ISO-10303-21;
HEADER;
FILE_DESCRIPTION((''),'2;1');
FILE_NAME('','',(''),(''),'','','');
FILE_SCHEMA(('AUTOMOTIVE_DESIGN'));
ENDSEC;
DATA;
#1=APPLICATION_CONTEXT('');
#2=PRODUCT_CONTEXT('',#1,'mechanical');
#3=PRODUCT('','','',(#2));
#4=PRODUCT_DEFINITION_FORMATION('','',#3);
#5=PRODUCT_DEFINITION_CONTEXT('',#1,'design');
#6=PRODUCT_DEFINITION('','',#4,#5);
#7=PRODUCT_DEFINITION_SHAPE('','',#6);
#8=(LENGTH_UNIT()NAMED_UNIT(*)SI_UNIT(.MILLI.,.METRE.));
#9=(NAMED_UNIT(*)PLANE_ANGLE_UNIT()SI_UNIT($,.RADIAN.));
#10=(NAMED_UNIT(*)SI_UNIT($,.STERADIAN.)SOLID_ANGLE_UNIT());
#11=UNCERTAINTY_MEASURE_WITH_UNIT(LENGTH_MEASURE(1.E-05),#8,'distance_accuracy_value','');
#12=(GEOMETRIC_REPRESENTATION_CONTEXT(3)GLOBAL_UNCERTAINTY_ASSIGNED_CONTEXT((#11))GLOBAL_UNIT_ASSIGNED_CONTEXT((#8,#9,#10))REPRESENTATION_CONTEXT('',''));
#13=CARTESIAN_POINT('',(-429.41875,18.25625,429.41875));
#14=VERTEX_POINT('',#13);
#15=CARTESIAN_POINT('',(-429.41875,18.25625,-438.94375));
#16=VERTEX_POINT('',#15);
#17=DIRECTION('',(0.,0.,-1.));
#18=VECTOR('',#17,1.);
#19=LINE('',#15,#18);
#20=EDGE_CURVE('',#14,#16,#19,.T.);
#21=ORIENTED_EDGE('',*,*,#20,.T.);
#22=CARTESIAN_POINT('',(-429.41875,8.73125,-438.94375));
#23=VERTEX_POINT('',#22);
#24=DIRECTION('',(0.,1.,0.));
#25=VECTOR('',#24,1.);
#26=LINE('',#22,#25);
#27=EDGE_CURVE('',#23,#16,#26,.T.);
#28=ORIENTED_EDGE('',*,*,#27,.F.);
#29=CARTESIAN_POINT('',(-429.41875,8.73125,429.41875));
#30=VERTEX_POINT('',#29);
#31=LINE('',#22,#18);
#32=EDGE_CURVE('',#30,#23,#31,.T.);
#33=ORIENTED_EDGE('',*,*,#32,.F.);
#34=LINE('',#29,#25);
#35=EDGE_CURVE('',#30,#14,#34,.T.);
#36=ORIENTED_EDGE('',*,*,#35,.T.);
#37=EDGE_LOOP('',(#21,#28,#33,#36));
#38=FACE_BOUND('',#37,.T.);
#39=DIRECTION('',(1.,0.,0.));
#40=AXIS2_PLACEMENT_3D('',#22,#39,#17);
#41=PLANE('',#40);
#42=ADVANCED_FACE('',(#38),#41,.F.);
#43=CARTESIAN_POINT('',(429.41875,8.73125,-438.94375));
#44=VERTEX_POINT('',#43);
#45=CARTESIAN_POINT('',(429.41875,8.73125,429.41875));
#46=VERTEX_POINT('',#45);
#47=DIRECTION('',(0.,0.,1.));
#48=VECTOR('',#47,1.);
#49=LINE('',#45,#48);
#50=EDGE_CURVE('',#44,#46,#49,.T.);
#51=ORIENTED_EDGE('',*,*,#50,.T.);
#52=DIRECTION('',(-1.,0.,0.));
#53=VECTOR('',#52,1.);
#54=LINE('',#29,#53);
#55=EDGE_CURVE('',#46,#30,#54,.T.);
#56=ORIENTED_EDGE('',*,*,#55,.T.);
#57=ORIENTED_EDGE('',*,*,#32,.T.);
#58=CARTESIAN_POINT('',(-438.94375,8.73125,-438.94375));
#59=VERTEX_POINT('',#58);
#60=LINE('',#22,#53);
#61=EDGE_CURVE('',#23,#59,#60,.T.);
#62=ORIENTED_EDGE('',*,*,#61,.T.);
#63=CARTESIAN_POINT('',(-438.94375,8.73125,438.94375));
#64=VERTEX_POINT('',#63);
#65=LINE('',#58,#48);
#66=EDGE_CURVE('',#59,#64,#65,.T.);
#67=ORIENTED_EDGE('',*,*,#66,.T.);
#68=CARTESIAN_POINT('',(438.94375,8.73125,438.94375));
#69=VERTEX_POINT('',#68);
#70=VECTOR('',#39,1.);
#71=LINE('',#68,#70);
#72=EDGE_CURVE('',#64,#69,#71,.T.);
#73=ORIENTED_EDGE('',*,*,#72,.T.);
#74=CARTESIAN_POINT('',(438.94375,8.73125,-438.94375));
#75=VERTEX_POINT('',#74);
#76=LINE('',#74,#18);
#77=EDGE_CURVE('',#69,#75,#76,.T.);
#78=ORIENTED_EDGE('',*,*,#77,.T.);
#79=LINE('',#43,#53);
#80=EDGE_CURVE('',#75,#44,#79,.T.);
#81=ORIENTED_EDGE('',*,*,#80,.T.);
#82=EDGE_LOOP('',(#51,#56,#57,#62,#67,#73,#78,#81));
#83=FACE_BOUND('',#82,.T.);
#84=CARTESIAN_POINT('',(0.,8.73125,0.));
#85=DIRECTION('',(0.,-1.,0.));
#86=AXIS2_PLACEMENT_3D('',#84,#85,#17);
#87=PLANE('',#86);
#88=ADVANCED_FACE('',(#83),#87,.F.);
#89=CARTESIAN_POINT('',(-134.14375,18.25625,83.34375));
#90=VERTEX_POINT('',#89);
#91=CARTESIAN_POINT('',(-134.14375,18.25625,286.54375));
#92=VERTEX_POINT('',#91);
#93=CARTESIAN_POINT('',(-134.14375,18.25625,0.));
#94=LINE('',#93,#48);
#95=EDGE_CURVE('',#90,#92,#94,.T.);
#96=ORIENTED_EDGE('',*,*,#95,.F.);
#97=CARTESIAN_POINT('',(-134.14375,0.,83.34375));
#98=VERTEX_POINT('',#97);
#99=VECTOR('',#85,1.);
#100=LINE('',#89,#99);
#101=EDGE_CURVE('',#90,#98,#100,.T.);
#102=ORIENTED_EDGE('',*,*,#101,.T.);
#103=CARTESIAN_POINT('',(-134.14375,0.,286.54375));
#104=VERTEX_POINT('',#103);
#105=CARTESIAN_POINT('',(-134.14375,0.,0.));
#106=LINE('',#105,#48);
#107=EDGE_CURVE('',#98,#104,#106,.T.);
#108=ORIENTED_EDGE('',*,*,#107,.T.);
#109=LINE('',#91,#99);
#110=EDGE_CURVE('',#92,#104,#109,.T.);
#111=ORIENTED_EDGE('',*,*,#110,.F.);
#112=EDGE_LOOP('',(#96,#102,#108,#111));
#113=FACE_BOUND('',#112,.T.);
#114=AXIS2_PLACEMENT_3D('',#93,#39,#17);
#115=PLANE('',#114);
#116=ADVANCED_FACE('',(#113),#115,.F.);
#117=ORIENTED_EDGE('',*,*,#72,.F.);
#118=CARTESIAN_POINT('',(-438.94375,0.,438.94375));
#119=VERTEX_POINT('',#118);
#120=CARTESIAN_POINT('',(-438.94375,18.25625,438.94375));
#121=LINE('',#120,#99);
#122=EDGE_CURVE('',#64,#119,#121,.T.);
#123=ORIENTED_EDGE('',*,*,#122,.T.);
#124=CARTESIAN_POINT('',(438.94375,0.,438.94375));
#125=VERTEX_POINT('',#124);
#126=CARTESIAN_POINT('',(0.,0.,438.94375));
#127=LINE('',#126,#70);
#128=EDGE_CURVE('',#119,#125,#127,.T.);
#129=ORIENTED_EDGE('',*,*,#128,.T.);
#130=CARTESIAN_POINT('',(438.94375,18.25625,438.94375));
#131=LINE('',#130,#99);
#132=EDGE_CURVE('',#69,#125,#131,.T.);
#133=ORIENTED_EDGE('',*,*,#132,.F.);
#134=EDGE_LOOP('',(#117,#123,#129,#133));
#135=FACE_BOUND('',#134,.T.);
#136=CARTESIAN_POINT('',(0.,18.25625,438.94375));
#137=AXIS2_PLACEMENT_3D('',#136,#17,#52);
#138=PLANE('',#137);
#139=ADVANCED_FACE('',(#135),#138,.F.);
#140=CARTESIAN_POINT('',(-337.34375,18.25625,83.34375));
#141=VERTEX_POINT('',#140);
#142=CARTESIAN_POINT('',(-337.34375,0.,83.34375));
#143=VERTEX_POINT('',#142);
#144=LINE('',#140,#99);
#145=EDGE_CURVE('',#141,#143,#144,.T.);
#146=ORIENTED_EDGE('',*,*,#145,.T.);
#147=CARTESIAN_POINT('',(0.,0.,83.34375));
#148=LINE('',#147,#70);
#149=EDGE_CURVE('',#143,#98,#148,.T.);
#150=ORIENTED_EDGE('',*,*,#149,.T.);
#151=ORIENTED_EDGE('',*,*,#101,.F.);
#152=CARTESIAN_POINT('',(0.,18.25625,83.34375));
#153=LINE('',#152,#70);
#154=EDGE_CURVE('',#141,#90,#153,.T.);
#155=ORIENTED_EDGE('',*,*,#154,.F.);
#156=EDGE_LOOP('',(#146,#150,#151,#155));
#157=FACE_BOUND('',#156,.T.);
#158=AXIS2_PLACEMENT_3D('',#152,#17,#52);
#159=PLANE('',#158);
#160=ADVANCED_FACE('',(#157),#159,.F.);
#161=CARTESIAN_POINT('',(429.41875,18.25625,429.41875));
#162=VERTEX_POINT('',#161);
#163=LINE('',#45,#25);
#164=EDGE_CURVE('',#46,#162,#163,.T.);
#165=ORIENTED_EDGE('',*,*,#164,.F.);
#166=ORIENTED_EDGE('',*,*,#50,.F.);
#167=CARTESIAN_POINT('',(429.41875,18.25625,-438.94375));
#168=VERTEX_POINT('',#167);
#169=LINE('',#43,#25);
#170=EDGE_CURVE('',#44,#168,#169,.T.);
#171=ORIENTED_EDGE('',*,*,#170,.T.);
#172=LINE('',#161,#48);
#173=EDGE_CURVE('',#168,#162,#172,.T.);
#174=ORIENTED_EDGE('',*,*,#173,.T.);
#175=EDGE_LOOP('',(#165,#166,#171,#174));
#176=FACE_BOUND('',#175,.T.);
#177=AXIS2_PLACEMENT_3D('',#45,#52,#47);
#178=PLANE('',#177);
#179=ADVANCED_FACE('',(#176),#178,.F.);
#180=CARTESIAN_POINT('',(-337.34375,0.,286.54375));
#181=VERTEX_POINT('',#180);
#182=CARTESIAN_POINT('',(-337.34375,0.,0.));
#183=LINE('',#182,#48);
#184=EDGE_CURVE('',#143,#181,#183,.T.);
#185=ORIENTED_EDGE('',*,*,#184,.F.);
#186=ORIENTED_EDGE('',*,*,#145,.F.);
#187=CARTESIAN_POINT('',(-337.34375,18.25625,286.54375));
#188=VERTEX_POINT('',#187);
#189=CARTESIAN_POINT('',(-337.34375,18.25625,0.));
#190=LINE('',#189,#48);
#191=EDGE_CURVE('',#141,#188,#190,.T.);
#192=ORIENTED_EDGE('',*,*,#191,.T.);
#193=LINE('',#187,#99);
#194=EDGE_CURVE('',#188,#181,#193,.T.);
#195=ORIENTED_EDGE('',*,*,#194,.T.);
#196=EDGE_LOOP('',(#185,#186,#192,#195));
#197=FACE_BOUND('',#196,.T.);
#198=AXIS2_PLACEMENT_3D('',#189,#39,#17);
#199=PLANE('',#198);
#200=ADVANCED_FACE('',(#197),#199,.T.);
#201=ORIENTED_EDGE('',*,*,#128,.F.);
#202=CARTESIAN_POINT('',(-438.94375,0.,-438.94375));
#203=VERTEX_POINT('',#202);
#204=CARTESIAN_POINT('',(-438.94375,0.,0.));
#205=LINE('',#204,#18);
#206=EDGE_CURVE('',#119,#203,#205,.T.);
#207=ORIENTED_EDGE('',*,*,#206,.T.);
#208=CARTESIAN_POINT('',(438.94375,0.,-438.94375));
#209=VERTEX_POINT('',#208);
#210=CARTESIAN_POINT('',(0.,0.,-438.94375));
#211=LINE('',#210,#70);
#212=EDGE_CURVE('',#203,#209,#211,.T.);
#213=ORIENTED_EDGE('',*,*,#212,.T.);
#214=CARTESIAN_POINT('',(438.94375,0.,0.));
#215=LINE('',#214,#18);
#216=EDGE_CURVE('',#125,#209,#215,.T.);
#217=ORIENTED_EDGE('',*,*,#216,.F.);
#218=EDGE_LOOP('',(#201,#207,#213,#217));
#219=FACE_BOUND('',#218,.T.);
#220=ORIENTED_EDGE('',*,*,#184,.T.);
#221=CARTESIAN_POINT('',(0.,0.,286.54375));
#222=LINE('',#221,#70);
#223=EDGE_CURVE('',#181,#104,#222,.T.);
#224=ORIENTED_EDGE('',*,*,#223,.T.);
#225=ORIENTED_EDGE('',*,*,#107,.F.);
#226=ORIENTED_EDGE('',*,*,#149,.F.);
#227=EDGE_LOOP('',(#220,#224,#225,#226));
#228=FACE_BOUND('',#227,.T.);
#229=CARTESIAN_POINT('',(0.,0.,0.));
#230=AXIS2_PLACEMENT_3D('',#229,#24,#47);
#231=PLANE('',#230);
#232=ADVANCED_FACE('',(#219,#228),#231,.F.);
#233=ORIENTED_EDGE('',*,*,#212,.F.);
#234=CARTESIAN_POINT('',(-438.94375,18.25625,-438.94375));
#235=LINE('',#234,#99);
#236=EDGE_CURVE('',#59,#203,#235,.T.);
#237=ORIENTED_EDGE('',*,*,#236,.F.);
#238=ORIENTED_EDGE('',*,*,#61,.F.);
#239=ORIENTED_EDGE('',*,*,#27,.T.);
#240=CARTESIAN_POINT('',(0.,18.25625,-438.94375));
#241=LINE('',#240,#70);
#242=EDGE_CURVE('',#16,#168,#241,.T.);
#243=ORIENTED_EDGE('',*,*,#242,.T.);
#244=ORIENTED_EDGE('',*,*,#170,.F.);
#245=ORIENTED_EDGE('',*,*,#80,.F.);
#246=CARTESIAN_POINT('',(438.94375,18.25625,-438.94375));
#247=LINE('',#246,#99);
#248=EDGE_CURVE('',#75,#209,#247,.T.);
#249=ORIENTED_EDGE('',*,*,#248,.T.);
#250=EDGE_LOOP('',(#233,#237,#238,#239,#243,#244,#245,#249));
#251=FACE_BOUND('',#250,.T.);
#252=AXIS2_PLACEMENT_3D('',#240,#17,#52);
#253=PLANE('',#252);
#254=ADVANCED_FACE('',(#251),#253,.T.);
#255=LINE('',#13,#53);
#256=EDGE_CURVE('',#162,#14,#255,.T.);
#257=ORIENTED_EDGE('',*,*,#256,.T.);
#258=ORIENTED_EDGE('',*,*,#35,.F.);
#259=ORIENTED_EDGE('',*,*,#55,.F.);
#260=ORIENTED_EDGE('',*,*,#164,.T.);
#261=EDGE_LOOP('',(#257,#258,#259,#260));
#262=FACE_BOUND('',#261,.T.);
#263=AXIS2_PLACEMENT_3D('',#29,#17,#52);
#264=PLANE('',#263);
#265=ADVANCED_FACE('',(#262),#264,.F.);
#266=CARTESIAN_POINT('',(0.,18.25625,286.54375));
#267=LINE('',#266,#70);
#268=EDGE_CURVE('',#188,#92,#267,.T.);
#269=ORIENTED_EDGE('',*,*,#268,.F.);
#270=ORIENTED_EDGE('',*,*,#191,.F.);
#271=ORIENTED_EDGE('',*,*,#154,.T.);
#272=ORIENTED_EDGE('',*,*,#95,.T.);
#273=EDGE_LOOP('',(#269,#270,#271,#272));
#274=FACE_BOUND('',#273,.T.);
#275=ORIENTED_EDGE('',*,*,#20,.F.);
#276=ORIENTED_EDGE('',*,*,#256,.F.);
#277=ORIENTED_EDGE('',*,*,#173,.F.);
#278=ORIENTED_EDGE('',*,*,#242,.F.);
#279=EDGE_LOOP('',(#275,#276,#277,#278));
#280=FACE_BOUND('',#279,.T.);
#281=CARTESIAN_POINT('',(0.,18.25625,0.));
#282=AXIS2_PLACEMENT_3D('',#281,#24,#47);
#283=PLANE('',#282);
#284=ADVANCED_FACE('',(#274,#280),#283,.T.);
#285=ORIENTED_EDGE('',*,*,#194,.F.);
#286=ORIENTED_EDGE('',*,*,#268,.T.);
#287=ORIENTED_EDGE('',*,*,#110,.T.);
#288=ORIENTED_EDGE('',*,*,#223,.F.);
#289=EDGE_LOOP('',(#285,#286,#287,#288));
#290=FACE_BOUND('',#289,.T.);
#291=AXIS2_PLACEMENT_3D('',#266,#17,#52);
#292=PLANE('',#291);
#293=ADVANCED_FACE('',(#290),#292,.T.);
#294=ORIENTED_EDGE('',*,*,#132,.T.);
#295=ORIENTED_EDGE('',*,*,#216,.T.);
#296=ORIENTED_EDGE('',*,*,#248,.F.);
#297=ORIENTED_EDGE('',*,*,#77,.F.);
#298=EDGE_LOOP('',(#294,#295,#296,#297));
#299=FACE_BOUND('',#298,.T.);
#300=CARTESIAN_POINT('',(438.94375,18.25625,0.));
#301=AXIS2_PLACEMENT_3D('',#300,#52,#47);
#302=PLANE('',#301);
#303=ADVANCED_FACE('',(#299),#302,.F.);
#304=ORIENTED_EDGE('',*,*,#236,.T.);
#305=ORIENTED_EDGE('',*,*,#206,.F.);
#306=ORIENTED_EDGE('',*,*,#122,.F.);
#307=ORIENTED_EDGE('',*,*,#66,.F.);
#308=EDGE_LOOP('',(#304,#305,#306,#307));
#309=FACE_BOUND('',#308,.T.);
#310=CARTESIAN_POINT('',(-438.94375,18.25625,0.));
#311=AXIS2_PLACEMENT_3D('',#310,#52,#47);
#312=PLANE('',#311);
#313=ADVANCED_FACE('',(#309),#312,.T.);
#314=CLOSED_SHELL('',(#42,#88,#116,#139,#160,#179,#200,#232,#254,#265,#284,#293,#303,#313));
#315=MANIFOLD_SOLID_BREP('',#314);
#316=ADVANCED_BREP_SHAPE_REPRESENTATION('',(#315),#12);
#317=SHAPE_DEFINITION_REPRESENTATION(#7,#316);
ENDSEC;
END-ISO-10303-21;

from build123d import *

# Parameters (mm, degrees)
SKETCH1_W           = 877.8875
SKETCH1_H           = 877.8875
SKETCH1_W_2         = 203.2
SKETCH1_H_2         = 203.2
BOSS_EXTRUDE1_DEPTH = 18.25625
CUT_EXTRUDE1_DEPTH  = 9.525


with BuildPart() as part:
    # Sketch1 → Boss-Extrude1 (new body)
    with BuildSketch(Plane(origin=(0, 0, 0), x_dir=(1, 0, 0), z_dir=(0, 1, 0))):
        Rectangle(SKETCH1_W, SKETCH1_H)
        with Locations((-235.74375, -184.94375)):
            Rectangle(SKETCH1_W_2, SKETCH1_H_2, mode=Mode.SUBTRACT)
    extrude(amount=BOSS_EXTRUDE1_DEPTH)

    # Sketch3 → Cut-Extrude1 (cut)
    with BuildSketch(Plane(origin=(0, 18.25625, 0), x_dir=(1, 0, 0), z_dir=(0, 1, 0))):
        Polygon((429.41875, 438.94375), (438.94375, 438.94375), (438.94375, -438.94375), (-438.94375, -438.94375), (-438.94375, 438.94375), (-429.41875, 438.94375), (-429.41875, -429.41875), (429.41875, -429.41875), align=None)
    extrude(amount=-CUT_EXTRUDE1_DEPTH, mode=Mode.SUBTRACT)


solid = part.part
